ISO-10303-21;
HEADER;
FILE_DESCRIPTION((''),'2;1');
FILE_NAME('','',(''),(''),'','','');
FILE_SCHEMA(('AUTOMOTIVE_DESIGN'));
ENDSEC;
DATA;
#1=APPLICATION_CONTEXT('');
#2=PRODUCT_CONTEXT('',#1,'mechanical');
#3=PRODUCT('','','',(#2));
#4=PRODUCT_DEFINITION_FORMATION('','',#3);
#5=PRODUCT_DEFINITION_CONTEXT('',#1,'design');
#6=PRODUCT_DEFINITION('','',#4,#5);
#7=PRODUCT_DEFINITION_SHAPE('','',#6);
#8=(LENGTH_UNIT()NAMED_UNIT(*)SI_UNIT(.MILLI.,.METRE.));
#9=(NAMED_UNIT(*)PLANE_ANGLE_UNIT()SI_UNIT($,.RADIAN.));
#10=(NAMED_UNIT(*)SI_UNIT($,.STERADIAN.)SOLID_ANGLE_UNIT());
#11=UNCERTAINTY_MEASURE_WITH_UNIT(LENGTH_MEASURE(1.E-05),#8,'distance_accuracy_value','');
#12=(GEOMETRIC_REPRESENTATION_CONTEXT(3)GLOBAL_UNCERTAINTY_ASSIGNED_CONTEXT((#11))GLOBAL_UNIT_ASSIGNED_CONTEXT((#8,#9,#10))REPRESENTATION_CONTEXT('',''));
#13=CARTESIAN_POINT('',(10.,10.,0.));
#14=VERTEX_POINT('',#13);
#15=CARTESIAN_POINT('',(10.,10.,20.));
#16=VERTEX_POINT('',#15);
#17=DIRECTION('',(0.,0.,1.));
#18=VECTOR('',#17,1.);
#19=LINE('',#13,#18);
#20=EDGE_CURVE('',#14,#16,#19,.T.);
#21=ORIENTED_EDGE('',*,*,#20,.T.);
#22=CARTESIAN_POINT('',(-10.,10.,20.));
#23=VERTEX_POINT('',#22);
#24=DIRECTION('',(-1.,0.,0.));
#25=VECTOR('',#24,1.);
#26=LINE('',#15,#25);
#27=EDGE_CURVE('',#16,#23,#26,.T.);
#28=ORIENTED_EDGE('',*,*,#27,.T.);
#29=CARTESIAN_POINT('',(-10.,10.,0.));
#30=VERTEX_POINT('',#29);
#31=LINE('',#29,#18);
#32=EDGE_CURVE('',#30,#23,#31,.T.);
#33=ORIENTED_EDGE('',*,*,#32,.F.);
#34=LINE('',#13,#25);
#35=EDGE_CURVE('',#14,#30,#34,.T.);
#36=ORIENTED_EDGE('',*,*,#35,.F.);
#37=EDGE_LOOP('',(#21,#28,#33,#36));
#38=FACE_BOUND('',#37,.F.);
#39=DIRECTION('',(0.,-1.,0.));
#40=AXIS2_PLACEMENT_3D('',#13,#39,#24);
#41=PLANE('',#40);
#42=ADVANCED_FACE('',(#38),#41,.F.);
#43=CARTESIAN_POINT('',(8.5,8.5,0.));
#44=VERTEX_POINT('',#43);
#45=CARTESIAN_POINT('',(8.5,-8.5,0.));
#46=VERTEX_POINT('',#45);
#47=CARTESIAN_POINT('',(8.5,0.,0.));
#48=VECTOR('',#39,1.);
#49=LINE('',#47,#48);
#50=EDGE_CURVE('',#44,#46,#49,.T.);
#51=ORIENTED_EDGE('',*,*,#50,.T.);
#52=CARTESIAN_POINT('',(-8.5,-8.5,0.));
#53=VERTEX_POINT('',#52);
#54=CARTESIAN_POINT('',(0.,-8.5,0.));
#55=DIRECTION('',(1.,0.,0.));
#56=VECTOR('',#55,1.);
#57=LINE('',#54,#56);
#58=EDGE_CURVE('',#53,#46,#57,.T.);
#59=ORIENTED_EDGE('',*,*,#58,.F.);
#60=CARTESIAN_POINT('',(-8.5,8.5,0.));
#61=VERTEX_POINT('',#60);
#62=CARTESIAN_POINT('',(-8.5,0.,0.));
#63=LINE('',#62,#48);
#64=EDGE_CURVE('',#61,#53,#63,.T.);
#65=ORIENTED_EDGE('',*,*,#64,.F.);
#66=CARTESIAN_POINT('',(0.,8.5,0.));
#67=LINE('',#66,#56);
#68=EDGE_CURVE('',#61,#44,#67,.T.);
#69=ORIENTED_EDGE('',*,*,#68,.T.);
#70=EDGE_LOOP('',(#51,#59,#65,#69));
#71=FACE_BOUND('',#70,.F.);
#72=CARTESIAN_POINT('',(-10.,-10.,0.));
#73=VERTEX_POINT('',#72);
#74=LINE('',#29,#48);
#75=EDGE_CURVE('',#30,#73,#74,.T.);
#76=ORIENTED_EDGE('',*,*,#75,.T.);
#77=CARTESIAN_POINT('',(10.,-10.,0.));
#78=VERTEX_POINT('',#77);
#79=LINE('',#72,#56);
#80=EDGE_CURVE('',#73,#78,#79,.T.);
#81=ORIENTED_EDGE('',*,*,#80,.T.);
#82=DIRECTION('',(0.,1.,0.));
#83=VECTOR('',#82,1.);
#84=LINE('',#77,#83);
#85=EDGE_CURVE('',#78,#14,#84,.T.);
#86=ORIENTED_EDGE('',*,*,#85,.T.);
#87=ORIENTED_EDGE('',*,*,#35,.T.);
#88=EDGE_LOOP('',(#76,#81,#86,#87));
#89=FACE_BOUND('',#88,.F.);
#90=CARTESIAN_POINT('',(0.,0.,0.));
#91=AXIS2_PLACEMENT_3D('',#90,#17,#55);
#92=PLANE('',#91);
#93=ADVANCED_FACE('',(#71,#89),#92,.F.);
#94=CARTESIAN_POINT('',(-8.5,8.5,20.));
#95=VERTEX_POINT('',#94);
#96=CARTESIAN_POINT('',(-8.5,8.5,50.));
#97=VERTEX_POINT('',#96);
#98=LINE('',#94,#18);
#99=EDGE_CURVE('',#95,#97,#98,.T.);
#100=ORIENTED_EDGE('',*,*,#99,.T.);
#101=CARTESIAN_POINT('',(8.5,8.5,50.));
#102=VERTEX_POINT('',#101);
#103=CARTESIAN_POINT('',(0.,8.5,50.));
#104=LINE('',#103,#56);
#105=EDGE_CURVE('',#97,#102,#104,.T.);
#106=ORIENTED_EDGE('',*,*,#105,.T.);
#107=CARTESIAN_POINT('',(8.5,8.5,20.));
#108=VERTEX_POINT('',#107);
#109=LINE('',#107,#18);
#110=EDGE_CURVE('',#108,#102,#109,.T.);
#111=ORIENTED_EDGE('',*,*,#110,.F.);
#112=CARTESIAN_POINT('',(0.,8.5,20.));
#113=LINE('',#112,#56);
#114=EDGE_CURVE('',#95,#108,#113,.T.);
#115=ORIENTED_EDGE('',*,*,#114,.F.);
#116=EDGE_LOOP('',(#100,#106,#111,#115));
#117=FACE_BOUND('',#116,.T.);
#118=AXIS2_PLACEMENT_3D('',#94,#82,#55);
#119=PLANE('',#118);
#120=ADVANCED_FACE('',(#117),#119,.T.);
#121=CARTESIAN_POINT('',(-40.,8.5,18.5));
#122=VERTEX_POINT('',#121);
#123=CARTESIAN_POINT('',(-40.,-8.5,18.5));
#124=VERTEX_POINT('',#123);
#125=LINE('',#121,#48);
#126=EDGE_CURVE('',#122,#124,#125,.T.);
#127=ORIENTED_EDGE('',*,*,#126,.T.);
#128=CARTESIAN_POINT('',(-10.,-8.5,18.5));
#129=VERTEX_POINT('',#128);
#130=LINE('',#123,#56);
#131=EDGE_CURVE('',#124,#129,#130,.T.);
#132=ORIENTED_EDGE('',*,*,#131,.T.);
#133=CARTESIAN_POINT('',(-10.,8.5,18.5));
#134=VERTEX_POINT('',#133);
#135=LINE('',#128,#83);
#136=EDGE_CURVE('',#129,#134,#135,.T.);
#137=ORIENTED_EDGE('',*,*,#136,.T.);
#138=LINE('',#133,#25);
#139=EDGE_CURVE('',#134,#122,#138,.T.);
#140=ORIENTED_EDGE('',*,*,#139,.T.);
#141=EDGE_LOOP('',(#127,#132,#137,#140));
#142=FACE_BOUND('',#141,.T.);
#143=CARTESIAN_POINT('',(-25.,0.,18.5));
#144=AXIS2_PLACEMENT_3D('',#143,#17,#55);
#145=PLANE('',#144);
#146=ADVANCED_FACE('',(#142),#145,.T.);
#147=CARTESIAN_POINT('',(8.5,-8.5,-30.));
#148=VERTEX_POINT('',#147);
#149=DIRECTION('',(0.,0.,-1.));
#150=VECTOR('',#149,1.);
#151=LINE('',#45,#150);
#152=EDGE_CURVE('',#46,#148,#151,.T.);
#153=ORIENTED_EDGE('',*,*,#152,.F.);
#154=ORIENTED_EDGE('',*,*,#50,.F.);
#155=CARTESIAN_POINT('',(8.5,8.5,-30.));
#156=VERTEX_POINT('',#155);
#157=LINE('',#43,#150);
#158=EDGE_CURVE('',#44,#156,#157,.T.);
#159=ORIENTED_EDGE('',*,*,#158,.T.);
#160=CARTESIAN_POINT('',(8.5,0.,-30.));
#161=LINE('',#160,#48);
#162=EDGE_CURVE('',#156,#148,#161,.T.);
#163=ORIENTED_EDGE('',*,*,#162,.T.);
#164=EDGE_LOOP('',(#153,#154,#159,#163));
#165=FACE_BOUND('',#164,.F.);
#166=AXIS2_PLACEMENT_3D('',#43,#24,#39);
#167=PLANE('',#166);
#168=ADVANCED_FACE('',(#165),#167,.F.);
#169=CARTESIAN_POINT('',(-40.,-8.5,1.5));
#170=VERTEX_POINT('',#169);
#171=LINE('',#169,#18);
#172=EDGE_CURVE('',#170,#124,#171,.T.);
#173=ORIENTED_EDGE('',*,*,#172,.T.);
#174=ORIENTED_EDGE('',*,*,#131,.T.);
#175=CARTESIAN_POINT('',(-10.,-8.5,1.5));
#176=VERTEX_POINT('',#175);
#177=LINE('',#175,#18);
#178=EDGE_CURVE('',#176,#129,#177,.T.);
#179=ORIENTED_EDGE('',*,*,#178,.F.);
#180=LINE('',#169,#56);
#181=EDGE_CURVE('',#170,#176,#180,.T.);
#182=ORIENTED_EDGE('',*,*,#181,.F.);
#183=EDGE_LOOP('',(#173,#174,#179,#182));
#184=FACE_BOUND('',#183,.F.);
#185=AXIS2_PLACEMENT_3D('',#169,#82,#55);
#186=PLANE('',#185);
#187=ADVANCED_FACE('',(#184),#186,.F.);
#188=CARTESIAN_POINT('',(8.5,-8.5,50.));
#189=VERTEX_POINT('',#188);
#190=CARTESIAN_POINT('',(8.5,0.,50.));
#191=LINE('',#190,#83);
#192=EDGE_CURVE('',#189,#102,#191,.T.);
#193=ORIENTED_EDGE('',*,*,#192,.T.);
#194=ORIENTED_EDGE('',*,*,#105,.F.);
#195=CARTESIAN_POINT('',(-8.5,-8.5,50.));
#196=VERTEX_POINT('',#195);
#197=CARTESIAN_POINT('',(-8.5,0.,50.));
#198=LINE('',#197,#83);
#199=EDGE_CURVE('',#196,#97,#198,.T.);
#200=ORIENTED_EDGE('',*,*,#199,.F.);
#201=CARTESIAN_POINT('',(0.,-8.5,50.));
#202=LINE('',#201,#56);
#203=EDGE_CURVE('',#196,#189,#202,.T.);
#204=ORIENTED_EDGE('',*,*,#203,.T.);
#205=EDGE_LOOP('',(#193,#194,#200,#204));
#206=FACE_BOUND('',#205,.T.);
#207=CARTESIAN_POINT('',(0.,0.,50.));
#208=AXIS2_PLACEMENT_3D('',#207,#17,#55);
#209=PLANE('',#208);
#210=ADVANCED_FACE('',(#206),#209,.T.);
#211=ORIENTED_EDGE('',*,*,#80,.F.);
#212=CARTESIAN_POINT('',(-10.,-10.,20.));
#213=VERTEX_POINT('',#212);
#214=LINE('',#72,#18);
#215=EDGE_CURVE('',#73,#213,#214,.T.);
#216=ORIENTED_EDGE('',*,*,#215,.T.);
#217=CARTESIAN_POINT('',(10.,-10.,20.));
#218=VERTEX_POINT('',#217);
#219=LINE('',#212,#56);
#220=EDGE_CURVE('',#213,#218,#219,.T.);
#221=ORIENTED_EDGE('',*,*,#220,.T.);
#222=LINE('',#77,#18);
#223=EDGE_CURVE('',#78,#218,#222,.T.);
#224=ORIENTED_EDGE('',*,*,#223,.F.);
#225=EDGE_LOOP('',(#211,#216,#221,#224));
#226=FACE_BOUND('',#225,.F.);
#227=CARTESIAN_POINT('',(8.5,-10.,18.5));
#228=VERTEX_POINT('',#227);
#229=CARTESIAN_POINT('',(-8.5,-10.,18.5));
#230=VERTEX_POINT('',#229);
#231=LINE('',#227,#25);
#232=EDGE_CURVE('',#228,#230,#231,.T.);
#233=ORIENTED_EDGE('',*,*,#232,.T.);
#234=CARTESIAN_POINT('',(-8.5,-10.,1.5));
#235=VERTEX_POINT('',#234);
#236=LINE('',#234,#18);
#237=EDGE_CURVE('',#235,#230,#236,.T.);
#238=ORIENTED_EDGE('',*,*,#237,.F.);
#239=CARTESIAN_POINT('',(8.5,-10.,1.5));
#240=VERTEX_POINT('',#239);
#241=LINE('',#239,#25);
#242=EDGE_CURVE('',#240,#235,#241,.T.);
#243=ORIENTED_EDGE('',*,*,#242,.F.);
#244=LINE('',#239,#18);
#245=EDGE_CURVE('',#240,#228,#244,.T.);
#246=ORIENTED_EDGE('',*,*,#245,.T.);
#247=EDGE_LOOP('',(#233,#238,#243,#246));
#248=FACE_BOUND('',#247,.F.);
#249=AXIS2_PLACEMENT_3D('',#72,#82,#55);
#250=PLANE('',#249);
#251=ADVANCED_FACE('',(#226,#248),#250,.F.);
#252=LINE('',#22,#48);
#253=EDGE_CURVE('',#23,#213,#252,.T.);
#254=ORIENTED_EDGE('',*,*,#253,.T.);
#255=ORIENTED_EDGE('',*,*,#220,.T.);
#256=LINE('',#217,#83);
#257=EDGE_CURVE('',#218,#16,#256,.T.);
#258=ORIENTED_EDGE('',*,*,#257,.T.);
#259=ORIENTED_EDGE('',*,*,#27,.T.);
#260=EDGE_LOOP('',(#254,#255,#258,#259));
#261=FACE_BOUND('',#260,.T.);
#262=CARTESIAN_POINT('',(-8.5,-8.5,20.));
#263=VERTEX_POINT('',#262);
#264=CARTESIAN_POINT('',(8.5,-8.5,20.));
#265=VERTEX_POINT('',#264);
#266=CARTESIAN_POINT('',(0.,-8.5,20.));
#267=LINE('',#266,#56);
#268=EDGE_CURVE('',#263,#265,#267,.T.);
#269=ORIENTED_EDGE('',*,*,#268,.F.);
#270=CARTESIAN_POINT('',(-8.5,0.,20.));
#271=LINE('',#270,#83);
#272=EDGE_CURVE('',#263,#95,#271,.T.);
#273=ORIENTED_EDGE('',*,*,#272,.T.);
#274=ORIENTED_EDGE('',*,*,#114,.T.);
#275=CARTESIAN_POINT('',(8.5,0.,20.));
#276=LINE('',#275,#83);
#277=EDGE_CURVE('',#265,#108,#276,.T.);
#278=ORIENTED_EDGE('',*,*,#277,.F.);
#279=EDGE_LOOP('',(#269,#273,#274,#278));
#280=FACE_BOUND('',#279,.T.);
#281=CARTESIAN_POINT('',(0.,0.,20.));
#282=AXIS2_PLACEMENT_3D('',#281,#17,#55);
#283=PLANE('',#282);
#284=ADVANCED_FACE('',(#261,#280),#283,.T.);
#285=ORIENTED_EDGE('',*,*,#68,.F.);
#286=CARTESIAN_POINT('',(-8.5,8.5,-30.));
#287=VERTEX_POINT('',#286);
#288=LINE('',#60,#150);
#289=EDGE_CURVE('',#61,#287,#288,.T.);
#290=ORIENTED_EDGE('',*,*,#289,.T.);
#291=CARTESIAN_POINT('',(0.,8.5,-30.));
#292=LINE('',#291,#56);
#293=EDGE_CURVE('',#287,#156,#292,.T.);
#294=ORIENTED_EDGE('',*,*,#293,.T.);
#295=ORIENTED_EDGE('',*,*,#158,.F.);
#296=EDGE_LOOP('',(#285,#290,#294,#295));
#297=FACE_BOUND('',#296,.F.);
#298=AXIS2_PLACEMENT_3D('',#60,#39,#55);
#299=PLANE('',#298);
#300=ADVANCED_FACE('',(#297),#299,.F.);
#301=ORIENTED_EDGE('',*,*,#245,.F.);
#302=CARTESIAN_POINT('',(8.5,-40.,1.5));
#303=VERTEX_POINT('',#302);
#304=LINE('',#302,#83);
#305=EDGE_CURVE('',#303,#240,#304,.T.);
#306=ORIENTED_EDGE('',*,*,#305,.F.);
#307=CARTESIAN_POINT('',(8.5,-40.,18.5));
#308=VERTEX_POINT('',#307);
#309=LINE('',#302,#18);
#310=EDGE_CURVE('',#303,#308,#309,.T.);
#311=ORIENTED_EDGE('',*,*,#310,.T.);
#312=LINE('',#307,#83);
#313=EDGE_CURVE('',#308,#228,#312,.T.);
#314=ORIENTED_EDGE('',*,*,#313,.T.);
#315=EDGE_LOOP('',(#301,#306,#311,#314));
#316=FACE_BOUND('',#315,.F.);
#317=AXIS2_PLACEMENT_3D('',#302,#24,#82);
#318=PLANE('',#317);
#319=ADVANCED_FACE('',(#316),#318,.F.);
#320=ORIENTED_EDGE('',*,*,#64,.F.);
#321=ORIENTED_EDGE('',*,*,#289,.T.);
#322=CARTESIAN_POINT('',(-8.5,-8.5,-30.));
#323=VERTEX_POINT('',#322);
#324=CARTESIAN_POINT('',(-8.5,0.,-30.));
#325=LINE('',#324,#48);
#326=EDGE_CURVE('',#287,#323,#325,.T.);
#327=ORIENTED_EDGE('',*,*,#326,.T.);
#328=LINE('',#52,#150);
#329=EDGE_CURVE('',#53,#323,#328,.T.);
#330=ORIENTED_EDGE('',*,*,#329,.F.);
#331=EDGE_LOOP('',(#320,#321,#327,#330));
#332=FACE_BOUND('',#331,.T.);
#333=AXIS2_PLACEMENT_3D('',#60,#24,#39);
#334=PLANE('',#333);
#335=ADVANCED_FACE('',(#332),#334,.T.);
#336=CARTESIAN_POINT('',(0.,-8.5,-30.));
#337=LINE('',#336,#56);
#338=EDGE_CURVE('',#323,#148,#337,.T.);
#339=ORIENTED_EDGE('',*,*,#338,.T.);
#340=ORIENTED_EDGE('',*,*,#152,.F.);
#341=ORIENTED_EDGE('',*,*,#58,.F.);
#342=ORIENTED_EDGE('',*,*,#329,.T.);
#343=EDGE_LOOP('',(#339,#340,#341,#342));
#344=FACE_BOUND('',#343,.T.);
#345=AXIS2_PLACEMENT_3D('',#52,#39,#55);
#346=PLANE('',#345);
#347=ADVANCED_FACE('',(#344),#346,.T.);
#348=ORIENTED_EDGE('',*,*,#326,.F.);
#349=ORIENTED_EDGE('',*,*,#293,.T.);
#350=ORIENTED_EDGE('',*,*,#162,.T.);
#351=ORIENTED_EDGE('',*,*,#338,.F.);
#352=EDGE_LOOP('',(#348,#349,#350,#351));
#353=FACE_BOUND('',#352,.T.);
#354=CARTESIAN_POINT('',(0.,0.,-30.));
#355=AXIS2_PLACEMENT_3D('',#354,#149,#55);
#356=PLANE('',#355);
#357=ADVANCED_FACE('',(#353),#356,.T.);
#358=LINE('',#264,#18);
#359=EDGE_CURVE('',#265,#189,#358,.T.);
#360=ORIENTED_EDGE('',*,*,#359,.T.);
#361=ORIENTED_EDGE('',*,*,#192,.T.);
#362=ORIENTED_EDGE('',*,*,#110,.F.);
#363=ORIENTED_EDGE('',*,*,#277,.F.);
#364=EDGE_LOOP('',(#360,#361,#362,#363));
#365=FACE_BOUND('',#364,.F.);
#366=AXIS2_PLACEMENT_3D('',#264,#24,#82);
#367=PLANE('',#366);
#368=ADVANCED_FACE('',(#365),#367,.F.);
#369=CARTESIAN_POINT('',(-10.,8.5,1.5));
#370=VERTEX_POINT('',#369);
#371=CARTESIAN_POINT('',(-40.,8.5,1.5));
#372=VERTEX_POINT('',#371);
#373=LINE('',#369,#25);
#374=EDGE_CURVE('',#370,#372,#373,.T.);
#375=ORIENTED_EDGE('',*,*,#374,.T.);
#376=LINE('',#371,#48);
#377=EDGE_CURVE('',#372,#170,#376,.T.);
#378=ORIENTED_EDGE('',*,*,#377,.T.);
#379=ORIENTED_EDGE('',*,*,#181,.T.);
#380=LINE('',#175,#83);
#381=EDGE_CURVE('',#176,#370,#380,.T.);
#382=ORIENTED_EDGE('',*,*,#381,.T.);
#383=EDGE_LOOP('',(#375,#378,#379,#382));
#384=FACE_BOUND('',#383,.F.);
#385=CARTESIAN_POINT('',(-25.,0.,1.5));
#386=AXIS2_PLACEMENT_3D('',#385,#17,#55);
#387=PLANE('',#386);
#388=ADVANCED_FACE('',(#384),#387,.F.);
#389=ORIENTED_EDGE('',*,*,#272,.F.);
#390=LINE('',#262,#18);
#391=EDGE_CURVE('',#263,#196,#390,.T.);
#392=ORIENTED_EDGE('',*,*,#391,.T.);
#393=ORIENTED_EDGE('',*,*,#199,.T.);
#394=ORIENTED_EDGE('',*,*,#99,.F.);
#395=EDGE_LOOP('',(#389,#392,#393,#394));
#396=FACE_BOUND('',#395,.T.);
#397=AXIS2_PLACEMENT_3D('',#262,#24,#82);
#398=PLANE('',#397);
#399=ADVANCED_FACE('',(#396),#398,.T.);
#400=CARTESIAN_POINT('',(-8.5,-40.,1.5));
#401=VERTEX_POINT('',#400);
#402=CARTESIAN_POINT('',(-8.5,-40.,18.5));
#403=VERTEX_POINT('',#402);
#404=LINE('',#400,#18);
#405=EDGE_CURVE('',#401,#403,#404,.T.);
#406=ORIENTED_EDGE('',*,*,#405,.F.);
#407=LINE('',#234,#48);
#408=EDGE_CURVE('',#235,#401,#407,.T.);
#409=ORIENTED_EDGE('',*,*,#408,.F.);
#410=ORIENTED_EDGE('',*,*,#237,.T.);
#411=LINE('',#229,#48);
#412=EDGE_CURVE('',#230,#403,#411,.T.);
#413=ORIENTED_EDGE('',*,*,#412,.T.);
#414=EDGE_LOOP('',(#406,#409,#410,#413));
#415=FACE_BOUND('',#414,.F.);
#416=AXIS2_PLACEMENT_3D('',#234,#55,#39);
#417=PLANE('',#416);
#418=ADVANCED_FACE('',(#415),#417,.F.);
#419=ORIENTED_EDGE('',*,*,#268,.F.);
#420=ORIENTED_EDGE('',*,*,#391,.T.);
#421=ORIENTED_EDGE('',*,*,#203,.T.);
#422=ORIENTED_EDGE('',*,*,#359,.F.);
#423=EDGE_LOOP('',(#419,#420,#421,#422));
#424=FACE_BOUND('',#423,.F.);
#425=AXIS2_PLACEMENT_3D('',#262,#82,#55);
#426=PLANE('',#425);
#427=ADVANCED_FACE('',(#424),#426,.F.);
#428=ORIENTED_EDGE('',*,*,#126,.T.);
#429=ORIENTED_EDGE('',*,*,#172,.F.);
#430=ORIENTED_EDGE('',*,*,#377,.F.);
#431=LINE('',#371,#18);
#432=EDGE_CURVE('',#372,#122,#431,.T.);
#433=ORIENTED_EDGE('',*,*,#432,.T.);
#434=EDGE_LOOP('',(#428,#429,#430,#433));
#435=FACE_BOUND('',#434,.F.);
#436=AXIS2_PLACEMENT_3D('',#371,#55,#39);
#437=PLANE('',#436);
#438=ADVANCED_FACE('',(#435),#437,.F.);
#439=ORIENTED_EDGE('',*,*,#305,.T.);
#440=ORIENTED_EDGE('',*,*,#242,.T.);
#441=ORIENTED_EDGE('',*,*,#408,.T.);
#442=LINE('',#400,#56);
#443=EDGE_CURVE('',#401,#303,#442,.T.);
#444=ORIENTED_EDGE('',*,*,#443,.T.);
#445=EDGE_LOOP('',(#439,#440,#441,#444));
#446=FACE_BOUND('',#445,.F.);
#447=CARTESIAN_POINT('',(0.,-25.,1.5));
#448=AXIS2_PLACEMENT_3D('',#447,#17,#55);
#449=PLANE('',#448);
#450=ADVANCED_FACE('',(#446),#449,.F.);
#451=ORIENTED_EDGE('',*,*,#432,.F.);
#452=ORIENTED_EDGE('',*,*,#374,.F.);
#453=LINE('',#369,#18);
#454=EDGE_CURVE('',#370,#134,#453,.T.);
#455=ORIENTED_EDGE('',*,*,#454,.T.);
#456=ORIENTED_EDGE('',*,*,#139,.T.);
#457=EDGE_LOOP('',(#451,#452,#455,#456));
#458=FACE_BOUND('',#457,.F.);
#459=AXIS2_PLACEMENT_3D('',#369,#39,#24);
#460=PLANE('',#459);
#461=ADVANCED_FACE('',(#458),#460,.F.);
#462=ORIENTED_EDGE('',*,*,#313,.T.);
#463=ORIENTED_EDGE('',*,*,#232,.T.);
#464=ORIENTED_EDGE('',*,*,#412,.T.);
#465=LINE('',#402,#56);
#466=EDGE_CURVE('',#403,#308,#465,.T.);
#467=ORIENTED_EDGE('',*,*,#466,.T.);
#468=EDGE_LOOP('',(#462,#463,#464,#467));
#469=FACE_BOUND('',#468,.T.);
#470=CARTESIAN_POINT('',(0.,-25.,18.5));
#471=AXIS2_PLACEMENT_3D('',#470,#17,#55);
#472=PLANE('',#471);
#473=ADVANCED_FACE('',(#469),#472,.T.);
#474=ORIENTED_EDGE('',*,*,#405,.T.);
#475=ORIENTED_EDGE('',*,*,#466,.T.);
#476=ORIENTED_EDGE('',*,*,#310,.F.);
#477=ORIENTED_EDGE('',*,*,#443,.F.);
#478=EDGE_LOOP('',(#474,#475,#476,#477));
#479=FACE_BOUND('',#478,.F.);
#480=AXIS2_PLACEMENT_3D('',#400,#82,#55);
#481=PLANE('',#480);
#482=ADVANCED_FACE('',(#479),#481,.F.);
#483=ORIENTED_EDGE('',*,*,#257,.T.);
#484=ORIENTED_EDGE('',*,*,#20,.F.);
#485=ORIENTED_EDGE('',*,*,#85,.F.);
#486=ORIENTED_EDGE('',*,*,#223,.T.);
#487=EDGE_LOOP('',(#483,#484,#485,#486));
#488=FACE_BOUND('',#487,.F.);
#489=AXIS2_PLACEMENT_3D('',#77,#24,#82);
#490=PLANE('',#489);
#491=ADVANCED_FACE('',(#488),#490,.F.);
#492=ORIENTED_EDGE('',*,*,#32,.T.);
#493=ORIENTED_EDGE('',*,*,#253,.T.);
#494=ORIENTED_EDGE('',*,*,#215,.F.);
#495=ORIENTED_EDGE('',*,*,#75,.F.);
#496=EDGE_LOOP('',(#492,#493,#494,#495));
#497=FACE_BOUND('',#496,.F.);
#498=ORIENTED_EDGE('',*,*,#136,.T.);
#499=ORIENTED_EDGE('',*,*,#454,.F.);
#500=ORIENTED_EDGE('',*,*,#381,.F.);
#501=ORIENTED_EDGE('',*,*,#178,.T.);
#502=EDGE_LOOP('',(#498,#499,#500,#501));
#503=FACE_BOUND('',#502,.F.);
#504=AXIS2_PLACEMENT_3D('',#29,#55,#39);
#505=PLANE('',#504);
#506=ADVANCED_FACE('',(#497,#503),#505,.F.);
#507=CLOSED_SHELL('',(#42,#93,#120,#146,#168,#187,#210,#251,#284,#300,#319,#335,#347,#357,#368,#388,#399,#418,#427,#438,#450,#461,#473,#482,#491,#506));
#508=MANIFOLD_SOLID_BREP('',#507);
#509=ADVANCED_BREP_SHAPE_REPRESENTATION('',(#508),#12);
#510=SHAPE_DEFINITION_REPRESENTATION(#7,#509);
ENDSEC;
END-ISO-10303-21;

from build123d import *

# Parameters (mm, degrees)
F1_DEPTH = 20
F2_START = 1.5
F2_DEPTH = 17
F3_W     = 17
F3_H     = 17
F4_DEPTH = 30
F5_W     = 17
F5_H     = 17
F6_DEPTH = 30


with BuildPart() as f1:
    # F0 (on Top) → F1 (new body)
    with BuildSketch(Plane.XY):
        Polygon((8.5, -10), (10, -10), (10, 10), (-10, 10), (-10, 8.5), (-10, 0), (-10, -8.5), (-10, -10), (-8.5, -10), (0, -10), align=None)
    extrude(amount=F1_DEPTH)

    # F0 (on Top) → F2 (join)
    with BuildSketch(Plane.XY.offset(F2_START)):
        Polygon((-10, 0), (-10, 8.5), (-40, 8.5), (-40, -8.5), (-10, -8.5), align=None)
        Polygon((8.5, -40), (8.5, -10), (0, -10), (-8.5, -10), (-8.5, -40), align=None)
    extrude(amount=F2_DEPTH)

    # F3 (on face) → F4 (join)
    with BuildSketch(Plane.XY.offset(20)):
        Rectangle(F3_W, F3_H)
    extrude(amount=F4_DEPTH)

    # F5 (on face) → F6 (join)
    with BuildSketch(Plane(origin=(0, 0, 0), x_dir=(1, 0, 0), z_dir=(0, 0, -1))):
        Rectangle(F5_W, F5_H)
    extrude(amount=F6_DEPTH)


solid = f1.part
